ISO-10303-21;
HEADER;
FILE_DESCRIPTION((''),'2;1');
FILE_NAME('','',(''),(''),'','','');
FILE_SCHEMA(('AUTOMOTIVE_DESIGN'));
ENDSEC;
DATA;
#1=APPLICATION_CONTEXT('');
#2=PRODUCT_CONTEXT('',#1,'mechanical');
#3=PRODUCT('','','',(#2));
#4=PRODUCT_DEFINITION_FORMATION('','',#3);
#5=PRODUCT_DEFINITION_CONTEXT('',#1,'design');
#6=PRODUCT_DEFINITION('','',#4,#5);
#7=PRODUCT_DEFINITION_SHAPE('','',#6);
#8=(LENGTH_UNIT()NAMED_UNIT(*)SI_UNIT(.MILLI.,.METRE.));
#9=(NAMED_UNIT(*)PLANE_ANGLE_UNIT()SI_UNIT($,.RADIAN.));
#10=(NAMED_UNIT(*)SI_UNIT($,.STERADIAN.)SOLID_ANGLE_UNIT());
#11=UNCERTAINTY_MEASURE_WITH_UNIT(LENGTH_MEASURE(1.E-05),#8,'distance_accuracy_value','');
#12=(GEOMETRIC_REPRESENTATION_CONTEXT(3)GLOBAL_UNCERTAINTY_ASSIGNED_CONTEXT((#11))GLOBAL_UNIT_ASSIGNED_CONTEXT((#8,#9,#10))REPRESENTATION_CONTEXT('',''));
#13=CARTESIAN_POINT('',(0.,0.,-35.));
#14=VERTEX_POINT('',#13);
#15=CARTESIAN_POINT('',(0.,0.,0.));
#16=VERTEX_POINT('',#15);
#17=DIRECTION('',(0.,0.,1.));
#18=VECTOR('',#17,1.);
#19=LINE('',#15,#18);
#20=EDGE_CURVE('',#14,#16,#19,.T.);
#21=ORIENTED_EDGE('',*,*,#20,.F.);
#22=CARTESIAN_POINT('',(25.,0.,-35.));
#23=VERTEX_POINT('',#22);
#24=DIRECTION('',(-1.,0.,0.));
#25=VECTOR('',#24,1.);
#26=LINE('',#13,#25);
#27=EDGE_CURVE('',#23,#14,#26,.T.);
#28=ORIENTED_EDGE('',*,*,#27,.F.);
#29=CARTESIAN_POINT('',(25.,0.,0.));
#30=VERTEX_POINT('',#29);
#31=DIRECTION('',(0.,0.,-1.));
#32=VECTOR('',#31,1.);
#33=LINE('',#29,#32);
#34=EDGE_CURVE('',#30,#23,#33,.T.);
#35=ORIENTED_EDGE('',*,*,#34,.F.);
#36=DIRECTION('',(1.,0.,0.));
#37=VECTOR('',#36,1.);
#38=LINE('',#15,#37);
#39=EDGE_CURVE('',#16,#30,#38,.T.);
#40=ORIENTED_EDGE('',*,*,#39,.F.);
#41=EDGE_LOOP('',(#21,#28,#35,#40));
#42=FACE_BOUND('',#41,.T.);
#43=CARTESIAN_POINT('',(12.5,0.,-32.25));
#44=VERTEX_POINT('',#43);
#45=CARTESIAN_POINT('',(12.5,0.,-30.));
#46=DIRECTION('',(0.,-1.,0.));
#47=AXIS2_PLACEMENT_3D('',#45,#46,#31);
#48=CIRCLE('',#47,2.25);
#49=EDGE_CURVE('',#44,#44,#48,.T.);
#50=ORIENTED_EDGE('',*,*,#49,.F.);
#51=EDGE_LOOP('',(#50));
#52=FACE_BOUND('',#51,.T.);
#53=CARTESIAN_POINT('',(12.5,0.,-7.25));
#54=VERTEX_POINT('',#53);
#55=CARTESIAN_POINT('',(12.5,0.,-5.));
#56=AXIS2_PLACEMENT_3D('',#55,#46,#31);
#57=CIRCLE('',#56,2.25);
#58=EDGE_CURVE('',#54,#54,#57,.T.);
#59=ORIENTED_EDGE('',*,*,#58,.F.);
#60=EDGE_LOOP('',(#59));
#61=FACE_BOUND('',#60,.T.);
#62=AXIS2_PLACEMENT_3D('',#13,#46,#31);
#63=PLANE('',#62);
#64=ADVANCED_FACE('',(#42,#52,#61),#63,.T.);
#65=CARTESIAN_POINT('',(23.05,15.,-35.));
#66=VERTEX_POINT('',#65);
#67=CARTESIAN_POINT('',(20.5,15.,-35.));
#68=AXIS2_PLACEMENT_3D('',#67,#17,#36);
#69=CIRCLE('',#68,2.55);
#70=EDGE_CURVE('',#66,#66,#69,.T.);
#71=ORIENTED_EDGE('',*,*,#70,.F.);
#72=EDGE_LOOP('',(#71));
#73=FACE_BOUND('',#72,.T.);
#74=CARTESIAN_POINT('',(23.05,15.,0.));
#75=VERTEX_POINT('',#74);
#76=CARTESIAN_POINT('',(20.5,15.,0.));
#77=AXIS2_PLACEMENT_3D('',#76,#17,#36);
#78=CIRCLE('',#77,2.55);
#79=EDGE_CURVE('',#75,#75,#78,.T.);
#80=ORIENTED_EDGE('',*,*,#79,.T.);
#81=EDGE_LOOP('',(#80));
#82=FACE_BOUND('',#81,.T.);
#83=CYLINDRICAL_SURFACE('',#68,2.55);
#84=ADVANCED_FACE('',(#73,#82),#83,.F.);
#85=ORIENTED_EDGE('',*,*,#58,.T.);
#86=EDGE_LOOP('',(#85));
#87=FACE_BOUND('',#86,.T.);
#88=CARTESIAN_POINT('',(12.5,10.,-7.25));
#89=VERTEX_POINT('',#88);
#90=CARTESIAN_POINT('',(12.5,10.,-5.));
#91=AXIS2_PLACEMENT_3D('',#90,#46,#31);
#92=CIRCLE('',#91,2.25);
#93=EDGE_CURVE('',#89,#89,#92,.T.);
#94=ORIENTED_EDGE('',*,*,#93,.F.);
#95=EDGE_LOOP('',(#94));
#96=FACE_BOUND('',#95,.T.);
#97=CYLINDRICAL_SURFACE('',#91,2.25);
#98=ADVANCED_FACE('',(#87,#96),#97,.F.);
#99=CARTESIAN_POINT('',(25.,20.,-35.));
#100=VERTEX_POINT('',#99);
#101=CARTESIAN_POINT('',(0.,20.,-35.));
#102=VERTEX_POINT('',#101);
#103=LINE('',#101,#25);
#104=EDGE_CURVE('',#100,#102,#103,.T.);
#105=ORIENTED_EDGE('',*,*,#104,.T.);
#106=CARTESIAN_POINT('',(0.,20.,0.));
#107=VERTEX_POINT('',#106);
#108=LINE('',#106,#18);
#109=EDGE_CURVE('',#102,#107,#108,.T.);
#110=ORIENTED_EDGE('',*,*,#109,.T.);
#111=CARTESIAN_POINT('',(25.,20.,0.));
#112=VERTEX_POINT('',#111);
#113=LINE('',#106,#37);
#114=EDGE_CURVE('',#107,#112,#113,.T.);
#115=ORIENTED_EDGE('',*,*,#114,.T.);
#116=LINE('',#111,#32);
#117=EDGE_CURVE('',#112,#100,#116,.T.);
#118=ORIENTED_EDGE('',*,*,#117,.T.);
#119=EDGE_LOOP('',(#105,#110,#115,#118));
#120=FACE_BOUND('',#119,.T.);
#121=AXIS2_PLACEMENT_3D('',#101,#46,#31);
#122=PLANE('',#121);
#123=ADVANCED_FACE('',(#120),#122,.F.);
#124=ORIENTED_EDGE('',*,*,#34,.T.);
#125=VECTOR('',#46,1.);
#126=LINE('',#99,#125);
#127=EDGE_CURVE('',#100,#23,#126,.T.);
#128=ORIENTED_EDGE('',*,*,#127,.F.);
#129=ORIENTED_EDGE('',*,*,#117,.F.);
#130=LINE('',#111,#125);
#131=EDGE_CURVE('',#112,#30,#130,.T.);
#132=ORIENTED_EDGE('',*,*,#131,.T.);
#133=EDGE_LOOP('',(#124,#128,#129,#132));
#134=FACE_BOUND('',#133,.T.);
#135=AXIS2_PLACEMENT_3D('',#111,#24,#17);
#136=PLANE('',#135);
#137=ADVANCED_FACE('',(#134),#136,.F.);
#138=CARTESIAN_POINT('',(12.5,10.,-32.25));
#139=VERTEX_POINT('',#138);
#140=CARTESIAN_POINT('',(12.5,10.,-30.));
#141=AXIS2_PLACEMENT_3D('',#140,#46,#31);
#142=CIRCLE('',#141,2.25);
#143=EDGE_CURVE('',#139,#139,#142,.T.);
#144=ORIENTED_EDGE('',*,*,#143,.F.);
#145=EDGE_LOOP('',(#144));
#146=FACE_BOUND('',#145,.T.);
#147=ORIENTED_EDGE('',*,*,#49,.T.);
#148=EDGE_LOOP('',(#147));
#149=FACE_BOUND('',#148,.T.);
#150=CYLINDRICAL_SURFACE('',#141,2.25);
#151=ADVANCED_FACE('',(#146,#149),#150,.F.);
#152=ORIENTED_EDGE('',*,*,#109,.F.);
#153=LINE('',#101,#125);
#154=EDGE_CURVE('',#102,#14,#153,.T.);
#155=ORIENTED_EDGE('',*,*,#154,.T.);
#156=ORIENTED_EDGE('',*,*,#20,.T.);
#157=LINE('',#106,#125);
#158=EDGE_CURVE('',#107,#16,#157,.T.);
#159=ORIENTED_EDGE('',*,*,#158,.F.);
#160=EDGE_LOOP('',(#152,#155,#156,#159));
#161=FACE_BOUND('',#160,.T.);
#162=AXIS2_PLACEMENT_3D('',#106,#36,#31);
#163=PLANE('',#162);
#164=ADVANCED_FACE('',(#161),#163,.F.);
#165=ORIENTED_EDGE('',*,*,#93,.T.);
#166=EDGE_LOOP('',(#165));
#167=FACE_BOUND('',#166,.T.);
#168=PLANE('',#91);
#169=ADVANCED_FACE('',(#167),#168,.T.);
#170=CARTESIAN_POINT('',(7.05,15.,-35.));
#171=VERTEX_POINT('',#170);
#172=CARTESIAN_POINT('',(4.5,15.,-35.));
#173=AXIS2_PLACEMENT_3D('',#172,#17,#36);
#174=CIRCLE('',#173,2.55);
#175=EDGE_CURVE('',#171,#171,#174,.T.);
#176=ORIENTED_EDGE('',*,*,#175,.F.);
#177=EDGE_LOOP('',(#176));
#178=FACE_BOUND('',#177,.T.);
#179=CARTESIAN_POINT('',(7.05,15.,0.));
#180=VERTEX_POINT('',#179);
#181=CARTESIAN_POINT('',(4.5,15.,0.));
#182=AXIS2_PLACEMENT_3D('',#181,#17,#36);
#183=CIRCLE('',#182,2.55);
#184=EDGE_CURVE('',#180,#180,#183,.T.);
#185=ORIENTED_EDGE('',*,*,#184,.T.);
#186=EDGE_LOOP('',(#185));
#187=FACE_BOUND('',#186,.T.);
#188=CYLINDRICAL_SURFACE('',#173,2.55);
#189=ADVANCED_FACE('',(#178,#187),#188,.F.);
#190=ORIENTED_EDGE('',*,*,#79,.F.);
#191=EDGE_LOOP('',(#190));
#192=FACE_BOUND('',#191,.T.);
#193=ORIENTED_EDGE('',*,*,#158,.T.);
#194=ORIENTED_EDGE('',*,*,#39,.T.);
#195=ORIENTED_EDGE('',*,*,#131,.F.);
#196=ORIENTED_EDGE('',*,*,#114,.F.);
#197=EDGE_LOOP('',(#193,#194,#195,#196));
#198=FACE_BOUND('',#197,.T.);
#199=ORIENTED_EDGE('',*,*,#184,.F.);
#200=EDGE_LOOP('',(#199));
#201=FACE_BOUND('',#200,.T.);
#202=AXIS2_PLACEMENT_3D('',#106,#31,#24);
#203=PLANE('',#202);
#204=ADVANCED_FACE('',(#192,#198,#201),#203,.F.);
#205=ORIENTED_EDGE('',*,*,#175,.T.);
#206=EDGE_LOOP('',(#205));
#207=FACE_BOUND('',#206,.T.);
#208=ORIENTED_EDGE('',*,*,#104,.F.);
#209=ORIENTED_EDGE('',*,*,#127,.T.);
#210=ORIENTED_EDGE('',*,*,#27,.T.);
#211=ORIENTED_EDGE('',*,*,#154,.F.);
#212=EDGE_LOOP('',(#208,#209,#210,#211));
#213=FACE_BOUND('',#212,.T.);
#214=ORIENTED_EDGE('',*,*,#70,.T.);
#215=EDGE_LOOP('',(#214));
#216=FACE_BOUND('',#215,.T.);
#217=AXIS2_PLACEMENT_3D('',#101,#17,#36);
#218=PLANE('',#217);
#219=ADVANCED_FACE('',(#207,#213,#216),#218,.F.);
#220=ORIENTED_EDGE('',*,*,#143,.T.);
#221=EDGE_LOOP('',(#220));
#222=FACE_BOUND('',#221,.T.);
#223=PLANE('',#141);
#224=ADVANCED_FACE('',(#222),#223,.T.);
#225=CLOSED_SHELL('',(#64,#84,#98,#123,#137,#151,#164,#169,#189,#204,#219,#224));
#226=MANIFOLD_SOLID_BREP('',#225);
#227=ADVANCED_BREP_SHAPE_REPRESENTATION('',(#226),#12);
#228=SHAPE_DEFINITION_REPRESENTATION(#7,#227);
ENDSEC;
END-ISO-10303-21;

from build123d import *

# Parameters (mm, degrees)
SKETCH1_W           = 25
SKETCH1_H           = 35
BOSS_EXTRUDE1_DEPTH = 20
SKETCH3_R           = 2.55
CUT_EXTRUDE2_DEPTH  = 48.434164903
SKETCH4_R           = 2.25
CUT_EXTRUDE3_DEPTH  = 10


with BuildPart() as part:
    # Sketch1 → Boss-Extrude1 (new body)
    with BuildSketch(Plane(origin=(0, 0, 0), x_dir=(1, 0, 0), z_dir=(0, 1, 0))):
        with Locations((12.5, 17.5)):
            Rectangle(SKETCH1_W, SKETCH1_H)
    extrude(amount=BOSS_EXTRUDE1_DEPTH)

    # Sketch3 → Cut-Extrude2 (cut, through all)
    with BuildSketch(Plane.XY):
        with Locations((4.5, 15)):
            Circle(SKETCH3_R)
        with Locations((20.5, 15)):
            Circle(SKETCH3_R)
    extrude(amount=-CUT_EXTRUDE2_DEPTH, mode=Mode.SUBTRACT)

    # Sketch4 → Cut-Extrude3 (cut)
    with BuildSketch(Plane.XZ):
        with Locations(Location((12.5, -5, 0), (0, 0, 270))):
            Circle(SKETCH4_R)
        with Locations(Location((12.5, -30, 0), (0, 0, 270))):
            Circle(SKETCH4_R)
    extrude(amount=-CUT_EXTRUDE3_DEPTH, mode=Mode.SUBTRACT)


solid = part.part
